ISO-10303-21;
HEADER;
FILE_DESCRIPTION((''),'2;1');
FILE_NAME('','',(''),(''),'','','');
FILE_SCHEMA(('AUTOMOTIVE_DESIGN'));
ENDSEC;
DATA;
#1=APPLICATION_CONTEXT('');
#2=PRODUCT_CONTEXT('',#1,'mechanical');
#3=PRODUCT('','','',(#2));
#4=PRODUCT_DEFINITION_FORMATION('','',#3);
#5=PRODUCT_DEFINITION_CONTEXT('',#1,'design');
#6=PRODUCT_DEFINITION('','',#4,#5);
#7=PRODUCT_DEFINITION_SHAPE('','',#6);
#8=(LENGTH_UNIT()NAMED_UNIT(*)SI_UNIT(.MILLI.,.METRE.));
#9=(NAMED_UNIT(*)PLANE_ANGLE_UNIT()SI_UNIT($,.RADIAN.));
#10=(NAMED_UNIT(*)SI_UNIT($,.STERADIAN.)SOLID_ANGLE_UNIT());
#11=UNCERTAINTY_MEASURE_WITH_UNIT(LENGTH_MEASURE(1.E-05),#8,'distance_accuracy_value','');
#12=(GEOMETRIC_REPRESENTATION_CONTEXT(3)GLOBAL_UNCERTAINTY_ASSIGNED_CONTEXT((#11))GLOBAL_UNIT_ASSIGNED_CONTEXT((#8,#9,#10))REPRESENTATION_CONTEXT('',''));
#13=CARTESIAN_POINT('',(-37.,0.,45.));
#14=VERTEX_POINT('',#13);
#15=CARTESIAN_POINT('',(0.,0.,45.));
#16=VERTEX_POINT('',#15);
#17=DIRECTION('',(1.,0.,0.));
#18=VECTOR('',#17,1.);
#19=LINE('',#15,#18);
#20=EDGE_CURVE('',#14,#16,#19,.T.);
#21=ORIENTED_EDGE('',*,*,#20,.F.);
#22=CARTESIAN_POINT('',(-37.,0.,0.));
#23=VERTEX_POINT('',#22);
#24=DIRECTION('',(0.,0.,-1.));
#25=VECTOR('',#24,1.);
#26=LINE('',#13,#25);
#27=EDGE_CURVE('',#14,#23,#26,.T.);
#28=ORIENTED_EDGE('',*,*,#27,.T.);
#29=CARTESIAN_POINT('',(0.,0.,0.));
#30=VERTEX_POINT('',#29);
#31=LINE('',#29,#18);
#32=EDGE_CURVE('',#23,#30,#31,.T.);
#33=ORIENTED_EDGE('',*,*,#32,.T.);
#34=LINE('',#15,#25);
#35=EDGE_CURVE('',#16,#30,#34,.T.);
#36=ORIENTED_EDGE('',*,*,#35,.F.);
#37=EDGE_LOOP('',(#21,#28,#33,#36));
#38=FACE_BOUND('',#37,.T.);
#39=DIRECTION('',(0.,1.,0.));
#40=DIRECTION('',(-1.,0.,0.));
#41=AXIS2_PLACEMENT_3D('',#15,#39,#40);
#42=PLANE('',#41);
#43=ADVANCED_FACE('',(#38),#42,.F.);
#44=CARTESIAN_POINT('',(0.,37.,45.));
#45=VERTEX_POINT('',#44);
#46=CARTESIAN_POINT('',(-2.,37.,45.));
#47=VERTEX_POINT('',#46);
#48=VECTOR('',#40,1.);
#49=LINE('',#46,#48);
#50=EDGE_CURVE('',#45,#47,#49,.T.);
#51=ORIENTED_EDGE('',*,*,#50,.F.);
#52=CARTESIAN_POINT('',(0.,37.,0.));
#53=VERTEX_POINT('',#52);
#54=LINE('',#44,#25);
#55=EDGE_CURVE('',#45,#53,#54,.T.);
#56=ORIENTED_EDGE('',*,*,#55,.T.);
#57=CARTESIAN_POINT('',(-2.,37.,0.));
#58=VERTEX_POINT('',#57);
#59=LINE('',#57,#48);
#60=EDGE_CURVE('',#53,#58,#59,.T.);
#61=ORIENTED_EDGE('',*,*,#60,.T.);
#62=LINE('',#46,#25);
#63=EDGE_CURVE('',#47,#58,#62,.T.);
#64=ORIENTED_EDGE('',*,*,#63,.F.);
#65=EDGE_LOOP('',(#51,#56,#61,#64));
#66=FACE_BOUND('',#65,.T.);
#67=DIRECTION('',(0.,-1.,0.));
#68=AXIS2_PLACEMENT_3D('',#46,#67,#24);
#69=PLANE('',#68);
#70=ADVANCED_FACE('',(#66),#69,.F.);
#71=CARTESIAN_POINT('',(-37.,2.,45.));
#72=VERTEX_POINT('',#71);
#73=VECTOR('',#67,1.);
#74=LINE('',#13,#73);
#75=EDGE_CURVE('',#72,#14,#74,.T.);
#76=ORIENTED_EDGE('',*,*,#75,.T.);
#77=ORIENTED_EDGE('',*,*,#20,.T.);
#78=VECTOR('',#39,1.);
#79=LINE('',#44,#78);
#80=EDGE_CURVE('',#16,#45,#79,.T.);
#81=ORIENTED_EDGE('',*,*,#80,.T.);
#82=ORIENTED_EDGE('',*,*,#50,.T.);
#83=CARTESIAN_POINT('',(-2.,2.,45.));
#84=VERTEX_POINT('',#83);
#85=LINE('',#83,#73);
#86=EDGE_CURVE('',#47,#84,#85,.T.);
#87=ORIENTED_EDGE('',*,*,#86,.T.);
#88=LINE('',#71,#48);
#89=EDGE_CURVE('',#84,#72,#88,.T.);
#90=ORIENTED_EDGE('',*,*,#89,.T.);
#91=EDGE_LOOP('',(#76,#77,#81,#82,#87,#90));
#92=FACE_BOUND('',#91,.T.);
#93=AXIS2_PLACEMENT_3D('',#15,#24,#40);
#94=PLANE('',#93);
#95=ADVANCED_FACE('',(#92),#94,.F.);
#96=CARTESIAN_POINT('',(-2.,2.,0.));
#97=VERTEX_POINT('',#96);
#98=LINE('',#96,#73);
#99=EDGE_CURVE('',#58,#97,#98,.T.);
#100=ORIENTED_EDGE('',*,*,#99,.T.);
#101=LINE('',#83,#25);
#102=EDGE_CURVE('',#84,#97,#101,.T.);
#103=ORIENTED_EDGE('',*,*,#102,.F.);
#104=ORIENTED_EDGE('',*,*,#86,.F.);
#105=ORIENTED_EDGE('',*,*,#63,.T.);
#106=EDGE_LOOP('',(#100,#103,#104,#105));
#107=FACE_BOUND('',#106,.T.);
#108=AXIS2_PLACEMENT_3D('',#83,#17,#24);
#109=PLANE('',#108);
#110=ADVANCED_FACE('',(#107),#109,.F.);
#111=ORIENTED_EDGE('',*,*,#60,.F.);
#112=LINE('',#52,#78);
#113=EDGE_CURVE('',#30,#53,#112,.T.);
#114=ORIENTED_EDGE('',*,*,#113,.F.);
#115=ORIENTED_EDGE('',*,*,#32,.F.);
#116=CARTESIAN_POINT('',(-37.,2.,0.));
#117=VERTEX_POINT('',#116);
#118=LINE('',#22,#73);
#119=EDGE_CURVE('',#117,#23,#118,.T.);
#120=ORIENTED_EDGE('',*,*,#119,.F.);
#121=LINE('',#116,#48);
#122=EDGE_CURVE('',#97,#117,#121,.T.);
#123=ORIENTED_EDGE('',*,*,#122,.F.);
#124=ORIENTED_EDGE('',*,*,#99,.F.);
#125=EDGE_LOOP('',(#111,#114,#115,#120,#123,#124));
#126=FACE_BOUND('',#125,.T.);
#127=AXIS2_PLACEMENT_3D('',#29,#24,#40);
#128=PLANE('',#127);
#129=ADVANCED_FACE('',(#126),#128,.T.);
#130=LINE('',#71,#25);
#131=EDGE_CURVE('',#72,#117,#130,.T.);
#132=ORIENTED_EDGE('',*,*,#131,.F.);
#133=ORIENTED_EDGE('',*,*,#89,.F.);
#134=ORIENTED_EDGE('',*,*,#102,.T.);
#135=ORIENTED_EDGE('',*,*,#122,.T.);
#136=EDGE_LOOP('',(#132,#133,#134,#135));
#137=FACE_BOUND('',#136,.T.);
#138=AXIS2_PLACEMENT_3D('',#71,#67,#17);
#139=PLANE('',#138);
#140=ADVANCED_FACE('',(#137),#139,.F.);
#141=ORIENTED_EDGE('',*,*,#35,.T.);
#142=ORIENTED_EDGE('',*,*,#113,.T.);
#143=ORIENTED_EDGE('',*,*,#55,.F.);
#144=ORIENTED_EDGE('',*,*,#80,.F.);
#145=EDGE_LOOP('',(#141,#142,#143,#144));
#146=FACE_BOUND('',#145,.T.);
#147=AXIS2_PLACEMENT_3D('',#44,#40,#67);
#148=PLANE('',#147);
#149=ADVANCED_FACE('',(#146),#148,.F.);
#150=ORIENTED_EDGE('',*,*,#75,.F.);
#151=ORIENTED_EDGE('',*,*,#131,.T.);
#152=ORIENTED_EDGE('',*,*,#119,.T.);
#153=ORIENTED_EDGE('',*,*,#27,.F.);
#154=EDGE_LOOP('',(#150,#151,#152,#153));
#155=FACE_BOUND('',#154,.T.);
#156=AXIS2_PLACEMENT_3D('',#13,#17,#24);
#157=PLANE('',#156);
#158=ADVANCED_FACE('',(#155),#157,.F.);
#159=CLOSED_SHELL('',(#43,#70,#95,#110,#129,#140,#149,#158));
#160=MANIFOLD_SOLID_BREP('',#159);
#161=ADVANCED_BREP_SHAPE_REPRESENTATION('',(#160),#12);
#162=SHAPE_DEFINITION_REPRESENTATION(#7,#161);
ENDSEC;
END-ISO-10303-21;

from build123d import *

# Parameters (mm, degrees)
BOSS_EXTRUDE1_DEPTH = 45


with BuildPart() as part:
    # Sketch1 → Boss-Extrude1 (new body)
    with BuildSketch(Plane.XY):
        Polygon((0, 37), (0, 0), (-37, 0), (-37, 2), (-2, 2), (-2, 37), align=None)
    extrude(amount=BOSS_EXTRUDE1_DEPTH)


solid = part.part
